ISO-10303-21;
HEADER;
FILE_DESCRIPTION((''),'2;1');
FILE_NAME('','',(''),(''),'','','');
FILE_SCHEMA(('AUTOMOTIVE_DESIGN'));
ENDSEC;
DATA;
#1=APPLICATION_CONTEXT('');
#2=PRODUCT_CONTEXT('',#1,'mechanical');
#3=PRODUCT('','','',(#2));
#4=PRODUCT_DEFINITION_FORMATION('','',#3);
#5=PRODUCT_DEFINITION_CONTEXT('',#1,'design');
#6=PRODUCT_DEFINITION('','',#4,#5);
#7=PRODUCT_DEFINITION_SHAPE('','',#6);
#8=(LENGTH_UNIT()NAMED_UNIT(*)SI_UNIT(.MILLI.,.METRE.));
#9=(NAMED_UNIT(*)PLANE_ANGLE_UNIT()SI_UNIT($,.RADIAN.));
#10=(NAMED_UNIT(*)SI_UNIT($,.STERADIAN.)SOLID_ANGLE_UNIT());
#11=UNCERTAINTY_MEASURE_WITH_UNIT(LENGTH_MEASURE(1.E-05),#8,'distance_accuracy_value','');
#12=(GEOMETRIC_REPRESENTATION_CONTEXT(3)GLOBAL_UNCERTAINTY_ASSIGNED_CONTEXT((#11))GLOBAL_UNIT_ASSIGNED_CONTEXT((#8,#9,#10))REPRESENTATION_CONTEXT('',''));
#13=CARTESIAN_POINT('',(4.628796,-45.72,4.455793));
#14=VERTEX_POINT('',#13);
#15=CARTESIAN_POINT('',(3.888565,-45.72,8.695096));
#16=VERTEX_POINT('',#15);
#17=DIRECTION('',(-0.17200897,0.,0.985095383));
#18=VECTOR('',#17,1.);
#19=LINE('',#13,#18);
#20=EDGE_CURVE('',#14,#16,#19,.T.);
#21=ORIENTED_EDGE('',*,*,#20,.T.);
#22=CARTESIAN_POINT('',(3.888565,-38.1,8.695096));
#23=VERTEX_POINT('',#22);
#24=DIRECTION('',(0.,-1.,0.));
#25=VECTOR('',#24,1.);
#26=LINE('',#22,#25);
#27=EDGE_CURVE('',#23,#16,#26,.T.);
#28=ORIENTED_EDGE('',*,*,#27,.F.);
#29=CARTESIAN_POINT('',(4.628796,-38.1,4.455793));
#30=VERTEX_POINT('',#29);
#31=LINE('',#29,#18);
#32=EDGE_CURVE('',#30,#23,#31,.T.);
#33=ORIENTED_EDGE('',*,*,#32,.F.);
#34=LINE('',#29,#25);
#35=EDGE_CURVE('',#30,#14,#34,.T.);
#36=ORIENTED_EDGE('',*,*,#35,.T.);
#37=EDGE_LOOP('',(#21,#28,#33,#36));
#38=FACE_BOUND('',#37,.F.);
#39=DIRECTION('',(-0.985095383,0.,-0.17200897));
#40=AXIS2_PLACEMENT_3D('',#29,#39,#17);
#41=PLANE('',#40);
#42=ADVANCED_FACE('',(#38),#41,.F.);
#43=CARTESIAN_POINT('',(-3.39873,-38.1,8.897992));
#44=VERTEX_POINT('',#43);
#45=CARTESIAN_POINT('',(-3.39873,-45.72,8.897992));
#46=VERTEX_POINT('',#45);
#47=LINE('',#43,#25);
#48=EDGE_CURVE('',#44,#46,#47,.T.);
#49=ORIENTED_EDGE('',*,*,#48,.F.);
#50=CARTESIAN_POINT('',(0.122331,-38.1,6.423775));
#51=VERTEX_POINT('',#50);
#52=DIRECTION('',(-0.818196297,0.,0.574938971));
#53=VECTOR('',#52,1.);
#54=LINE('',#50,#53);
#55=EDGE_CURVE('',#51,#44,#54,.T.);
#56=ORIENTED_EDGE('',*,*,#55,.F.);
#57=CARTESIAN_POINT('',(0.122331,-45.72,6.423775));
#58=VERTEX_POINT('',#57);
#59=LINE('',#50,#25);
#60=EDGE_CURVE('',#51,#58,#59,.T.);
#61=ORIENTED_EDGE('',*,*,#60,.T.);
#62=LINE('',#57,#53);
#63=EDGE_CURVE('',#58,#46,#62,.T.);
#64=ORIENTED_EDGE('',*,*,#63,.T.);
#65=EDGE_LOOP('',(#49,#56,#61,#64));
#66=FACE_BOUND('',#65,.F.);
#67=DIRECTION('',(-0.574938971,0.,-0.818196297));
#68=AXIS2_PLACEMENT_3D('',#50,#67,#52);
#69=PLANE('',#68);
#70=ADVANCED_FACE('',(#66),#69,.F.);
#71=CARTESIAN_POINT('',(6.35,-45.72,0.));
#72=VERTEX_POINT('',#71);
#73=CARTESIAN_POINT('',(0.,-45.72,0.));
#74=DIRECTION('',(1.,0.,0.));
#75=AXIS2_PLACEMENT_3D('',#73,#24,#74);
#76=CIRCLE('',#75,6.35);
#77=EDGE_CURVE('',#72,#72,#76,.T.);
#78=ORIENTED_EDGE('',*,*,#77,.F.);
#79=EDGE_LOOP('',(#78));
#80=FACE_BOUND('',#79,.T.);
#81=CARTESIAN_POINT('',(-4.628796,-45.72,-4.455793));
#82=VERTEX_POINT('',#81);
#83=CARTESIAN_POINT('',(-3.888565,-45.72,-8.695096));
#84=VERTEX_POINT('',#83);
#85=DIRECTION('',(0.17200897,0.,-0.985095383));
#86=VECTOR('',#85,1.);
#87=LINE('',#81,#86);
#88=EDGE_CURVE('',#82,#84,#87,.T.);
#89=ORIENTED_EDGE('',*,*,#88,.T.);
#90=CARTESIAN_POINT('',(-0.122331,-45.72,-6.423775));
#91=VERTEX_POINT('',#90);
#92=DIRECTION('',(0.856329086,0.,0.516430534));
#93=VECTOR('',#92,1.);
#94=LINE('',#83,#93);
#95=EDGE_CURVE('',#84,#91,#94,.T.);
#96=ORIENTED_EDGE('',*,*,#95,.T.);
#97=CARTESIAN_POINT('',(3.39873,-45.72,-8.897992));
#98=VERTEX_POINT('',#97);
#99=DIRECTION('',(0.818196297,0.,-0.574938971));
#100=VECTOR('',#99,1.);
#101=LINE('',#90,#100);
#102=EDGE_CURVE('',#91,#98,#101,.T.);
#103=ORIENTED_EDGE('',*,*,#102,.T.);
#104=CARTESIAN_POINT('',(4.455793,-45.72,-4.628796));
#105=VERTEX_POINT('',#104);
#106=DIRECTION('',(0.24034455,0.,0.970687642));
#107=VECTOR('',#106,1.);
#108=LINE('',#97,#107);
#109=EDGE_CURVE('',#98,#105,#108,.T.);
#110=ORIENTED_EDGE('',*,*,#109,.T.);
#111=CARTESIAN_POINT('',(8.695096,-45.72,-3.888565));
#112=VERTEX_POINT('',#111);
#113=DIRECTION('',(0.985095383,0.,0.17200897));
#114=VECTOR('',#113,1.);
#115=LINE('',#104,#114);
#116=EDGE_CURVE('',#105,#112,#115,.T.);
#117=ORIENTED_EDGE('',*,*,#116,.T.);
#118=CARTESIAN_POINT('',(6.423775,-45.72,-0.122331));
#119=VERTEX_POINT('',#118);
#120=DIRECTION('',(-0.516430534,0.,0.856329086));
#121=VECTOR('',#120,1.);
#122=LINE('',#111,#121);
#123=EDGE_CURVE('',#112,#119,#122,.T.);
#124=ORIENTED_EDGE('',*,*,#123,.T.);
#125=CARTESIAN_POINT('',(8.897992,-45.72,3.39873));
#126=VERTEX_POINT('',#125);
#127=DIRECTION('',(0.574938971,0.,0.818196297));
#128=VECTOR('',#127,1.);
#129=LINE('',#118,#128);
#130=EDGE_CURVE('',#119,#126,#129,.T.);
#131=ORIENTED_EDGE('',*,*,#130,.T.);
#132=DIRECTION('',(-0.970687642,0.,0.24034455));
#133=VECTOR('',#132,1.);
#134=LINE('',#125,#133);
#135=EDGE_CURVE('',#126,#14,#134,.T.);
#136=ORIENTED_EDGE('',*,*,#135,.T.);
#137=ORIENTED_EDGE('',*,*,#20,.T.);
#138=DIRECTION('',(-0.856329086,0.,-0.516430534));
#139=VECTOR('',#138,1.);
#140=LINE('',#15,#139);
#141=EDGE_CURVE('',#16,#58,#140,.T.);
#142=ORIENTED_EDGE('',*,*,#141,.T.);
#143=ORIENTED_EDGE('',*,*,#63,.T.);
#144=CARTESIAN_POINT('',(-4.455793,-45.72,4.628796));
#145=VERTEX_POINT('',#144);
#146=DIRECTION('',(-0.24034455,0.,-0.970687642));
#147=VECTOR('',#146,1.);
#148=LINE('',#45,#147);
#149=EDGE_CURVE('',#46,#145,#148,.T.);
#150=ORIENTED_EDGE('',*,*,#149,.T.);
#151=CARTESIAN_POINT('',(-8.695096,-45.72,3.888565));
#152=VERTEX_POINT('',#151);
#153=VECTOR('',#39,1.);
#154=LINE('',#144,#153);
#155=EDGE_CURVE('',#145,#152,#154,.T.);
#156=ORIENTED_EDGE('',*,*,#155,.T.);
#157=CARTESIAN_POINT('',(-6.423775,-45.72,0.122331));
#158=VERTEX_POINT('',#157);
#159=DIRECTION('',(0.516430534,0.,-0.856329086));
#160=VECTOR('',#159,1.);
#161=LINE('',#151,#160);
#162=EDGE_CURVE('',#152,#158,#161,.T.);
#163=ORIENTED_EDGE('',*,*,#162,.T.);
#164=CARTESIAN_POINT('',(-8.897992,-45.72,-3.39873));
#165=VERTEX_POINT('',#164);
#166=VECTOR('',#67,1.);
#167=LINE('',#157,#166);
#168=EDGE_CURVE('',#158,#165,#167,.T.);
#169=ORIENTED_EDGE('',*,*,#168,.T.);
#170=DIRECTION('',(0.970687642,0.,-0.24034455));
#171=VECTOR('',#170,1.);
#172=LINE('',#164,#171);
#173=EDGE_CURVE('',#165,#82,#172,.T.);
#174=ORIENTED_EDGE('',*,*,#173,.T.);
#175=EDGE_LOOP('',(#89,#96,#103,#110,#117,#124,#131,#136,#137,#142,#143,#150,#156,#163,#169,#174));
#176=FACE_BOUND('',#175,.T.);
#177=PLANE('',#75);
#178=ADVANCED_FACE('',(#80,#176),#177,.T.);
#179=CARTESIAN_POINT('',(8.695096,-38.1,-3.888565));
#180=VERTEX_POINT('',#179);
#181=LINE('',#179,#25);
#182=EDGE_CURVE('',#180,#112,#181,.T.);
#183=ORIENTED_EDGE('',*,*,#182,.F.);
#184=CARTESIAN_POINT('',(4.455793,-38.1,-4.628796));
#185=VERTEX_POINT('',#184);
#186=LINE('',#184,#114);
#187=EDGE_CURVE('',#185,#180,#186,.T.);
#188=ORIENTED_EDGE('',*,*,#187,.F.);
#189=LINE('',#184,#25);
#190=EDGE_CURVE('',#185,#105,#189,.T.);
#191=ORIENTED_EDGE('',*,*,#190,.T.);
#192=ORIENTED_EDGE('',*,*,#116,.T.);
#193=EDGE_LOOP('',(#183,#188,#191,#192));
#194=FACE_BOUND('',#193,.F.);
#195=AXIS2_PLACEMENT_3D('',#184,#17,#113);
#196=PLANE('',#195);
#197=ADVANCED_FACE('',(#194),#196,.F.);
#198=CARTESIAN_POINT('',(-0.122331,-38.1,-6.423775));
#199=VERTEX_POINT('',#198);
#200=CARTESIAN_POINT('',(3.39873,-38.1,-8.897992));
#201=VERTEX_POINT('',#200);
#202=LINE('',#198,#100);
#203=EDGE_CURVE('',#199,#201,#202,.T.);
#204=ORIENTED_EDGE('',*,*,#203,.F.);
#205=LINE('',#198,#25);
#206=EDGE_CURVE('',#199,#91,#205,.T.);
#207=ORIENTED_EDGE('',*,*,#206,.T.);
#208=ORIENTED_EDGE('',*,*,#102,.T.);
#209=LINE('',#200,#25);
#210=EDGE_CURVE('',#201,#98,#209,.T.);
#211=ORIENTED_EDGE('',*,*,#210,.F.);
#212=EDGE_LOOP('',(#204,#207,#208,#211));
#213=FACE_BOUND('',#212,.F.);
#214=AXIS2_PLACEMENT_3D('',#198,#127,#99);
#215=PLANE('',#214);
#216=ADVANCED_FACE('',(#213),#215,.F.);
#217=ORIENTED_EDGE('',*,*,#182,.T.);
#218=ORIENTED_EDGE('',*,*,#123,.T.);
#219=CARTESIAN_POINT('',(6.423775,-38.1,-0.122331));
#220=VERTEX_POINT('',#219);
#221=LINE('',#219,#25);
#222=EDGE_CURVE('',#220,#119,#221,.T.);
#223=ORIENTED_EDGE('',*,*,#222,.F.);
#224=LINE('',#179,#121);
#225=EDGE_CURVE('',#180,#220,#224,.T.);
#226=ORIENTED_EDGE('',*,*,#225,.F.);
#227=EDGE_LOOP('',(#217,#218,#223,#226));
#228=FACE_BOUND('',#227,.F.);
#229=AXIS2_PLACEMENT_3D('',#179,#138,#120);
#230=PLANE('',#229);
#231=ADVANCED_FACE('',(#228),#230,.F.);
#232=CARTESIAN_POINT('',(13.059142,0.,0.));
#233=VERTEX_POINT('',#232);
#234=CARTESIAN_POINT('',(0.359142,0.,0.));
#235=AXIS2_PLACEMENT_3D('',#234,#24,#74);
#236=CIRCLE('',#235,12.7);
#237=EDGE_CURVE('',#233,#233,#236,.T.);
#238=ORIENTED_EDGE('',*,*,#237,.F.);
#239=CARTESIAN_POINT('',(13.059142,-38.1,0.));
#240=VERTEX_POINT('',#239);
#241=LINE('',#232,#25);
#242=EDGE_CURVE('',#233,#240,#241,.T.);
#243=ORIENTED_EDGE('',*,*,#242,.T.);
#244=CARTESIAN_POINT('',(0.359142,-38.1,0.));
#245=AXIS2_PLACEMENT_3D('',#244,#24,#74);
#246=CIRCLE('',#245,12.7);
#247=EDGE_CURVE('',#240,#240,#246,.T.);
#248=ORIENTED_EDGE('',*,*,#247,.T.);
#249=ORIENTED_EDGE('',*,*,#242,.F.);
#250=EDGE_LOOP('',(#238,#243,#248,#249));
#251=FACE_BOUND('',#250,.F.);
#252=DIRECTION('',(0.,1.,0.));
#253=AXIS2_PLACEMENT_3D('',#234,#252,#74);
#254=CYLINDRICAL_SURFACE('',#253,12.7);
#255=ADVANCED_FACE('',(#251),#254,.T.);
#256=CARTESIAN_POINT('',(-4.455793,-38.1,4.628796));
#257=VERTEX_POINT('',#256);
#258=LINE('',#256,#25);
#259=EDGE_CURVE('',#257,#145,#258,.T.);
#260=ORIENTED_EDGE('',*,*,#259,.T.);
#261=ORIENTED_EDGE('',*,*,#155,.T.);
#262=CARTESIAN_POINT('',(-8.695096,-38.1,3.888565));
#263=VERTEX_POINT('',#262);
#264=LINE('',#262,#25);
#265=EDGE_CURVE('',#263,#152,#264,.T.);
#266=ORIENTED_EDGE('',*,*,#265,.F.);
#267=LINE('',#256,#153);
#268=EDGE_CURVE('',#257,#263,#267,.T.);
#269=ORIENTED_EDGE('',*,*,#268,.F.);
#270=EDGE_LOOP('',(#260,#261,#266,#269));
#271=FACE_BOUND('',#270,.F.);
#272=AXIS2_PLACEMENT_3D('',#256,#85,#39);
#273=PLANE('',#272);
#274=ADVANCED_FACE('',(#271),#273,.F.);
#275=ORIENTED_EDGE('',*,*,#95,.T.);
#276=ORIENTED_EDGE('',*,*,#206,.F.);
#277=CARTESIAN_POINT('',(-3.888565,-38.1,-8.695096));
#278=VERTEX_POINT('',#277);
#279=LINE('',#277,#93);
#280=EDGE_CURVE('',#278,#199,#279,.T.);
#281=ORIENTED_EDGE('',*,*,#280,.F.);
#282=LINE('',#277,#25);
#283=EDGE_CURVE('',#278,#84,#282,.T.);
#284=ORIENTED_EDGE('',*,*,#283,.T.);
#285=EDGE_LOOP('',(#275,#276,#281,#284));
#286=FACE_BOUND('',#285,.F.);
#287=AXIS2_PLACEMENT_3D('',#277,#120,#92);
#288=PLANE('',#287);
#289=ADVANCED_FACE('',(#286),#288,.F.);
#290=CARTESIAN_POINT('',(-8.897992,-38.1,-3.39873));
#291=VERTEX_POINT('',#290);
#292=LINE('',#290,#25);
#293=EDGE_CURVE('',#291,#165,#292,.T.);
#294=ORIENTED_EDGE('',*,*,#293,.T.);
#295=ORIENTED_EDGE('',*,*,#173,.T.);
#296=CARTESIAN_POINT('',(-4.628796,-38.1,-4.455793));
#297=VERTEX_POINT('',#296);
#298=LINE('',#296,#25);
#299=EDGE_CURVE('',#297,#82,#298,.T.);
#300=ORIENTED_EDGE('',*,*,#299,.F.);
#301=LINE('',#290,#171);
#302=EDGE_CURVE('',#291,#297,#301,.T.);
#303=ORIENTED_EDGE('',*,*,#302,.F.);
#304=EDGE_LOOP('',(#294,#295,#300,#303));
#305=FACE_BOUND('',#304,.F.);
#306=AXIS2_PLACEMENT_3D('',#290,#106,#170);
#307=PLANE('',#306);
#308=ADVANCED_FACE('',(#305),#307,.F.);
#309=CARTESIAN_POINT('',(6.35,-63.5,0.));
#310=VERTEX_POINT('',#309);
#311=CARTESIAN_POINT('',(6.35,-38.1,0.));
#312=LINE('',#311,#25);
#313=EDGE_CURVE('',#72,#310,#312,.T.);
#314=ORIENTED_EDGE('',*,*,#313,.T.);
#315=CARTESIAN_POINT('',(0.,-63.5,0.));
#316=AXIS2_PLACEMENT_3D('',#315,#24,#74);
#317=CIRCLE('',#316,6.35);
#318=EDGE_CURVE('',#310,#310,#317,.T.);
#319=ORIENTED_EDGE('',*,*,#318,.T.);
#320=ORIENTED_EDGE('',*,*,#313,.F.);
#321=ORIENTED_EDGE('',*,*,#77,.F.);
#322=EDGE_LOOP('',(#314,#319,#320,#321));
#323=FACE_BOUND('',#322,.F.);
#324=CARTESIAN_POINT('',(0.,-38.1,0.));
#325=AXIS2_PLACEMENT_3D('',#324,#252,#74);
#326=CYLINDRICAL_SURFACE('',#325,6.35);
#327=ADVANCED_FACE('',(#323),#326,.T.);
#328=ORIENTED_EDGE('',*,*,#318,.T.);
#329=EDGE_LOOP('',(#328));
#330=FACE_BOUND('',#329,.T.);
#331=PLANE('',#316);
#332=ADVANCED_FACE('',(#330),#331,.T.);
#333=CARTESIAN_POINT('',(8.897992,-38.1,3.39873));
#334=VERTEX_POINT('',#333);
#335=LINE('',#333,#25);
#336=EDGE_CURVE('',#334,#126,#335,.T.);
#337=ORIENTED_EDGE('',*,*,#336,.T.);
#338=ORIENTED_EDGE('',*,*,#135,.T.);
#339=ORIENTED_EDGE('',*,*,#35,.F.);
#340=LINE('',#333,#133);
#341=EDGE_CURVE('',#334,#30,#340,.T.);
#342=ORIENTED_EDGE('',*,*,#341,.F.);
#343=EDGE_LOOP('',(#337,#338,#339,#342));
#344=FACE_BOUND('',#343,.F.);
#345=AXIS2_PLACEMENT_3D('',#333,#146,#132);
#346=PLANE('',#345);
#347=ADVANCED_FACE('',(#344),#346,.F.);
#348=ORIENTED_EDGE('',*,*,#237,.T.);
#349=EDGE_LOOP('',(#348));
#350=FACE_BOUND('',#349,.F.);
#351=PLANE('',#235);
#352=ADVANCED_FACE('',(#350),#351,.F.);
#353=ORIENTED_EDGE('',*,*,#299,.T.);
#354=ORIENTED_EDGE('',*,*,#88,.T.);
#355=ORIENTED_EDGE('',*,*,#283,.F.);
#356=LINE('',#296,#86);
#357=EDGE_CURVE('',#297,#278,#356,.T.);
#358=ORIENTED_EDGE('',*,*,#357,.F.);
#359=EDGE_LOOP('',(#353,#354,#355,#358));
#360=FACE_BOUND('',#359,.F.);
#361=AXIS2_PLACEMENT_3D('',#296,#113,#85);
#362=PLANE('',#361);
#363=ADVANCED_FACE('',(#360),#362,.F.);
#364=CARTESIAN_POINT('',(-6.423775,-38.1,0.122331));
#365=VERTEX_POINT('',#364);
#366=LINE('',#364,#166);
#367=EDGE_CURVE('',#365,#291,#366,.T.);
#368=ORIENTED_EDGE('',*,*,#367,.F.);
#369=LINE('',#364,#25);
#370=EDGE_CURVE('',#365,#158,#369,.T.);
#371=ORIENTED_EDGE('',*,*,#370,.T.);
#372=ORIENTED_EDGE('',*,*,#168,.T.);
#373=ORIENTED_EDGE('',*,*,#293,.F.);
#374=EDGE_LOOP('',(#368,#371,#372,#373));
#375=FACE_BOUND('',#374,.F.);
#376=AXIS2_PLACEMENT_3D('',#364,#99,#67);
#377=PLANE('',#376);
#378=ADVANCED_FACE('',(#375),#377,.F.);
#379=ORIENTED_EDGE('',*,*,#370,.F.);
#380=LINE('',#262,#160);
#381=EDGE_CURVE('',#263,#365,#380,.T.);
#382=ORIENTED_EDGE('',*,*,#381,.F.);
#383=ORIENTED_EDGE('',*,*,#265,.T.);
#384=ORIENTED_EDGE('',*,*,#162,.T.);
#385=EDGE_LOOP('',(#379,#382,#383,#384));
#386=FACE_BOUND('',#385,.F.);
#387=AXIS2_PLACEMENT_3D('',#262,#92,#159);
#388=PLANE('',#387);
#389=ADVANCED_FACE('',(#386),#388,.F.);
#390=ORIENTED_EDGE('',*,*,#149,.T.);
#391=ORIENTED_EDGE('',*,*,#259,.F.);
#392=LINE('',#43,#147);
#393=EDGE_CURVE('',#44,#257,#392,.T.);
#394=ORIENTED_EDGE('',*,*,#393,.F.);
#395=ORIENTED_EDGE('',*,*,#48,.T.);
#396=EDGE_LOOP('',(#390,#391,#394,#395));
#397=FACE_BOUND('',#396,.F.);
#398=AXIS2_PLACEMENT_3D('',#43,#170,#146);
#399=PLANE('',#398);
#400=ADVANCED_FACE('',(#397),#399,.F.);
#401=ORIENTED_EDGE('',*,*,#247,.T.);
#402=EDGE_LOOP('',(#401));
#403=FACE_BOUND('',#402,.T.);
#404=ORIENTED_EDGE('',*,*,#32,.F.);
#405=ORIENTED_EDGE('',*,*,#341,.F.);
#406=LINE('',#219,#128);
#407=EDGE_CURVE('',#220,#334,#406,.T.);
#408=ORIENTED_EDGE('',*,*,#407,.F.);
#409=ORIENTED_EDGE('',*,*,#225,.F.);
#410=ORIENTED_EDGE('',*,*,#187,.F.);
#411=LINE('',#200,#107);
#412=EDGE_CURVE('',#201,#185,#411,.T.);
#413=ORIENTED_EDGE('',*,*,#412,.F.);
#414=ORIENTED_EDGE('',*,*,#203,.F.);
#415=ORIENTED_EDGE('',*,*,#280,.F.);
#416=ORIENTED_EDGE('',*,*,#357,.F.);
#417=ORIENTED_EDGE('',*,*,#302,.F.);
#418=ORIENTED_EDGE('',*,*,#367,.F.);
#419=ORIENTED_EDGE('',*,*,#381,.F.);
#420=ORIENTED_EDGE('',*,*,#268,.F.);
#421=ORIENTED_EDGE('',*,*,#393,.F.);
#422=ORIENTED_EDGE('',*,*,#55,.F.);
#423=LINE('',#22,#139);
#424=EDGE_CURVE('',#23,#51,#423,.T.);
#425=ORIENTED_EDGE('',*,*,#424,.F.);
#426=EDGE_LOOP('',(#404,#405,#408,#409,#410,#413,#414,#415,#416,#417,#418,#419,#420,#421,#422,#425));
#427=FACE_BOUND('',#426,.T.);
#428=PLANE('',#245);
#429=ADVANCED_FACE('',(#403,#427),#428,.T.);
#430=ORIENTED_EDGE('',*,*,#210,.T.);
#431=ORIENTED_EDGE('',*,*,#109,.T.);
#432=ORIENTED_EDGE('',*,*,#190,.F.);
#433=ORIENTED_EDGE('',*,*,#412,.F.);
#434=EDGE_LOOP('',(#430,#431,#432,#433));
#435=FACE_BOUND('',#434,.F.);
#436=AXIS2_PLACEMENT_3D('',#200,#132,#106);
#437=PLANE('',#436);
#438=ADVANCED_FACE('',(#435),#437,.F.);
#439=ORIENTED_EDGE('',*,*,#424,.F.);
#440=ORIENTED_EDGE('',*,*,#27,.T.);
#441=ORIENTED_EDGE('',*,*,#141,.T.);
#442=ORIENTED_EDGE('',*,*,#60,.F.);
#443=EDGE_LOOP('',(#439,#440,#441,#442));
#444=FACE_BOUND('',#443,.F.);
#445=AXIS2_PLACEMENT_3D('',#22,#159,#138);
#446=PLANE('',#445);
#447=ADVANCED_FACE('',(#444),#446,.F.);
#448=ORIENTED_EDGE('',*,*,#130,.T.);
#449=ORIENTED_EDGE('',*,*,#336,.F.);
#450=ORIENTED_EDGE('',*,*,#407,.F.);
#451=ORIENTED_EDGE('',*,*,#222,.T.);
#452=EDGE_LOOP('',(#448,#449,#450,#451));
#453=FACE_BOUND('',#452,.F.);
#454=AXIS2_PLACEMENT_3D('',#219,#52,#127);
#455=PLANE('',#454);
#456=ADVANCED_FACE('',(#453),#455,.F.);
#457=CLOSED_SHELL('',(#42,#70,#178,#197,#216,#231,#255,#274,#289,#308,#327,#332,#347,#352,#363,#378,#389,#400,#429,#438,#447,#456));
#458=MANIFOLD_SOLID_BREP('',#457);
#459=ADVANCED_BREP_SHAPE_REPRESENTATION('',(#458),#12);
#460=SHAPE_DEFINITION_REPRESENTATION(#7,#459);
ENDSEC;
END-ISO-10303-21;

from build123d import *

# Parameters (mm, degrees)
F0_R     = 12.7
F1_DEPTH = 38.1
F2_R     = 6.35
F3_DEPTH = 25.4
F4_R     = 6.35
F5_DEPTH = 7.62


with BuildPart() as f1:
    # F0 (on Front) → F1 (new body)
    with BuildSketch(Plane.XZ):
        with Locations((0.359142, 0)):
            Circle(F0_R)
    extrude(amount=F1_DEPTH)

    # F2 (on face) → F3 (join)
    with BuildSketch(Plane.XZ.offset(38.1)):
        Circle(F2_R)
    extrude(amount=F3_DEPTH)

    # F4 (on face) → F5 (join)
    with BuildSketch(Plane.XZ.offset(38.1)):
        Circle(F4_R)
        Polygon((-4.455793, 4.628796), (-8.695096, 3.888565), (-6.423775, 0.122331), (-8.897992, -3.39873), (-4.628796, -4.455793), (-3.888565, -8.695096), (-0.122331, -6.423775), (3.39873, -8.897992), (4.455793, -4.628796), (8.695096, -3.888565), (6.423775, -0.122331), (8.897992, 3.39873), (4.628796, 4.455793), (3.888565, 8.695096), (0.122331, 6.423775), (-3.39873, 8.897992), align=None)
        Circle(F4_R, mode=Mode.SUBTRACT)
    extrude(amount=F5_DEPTH)


solid = f1.part
